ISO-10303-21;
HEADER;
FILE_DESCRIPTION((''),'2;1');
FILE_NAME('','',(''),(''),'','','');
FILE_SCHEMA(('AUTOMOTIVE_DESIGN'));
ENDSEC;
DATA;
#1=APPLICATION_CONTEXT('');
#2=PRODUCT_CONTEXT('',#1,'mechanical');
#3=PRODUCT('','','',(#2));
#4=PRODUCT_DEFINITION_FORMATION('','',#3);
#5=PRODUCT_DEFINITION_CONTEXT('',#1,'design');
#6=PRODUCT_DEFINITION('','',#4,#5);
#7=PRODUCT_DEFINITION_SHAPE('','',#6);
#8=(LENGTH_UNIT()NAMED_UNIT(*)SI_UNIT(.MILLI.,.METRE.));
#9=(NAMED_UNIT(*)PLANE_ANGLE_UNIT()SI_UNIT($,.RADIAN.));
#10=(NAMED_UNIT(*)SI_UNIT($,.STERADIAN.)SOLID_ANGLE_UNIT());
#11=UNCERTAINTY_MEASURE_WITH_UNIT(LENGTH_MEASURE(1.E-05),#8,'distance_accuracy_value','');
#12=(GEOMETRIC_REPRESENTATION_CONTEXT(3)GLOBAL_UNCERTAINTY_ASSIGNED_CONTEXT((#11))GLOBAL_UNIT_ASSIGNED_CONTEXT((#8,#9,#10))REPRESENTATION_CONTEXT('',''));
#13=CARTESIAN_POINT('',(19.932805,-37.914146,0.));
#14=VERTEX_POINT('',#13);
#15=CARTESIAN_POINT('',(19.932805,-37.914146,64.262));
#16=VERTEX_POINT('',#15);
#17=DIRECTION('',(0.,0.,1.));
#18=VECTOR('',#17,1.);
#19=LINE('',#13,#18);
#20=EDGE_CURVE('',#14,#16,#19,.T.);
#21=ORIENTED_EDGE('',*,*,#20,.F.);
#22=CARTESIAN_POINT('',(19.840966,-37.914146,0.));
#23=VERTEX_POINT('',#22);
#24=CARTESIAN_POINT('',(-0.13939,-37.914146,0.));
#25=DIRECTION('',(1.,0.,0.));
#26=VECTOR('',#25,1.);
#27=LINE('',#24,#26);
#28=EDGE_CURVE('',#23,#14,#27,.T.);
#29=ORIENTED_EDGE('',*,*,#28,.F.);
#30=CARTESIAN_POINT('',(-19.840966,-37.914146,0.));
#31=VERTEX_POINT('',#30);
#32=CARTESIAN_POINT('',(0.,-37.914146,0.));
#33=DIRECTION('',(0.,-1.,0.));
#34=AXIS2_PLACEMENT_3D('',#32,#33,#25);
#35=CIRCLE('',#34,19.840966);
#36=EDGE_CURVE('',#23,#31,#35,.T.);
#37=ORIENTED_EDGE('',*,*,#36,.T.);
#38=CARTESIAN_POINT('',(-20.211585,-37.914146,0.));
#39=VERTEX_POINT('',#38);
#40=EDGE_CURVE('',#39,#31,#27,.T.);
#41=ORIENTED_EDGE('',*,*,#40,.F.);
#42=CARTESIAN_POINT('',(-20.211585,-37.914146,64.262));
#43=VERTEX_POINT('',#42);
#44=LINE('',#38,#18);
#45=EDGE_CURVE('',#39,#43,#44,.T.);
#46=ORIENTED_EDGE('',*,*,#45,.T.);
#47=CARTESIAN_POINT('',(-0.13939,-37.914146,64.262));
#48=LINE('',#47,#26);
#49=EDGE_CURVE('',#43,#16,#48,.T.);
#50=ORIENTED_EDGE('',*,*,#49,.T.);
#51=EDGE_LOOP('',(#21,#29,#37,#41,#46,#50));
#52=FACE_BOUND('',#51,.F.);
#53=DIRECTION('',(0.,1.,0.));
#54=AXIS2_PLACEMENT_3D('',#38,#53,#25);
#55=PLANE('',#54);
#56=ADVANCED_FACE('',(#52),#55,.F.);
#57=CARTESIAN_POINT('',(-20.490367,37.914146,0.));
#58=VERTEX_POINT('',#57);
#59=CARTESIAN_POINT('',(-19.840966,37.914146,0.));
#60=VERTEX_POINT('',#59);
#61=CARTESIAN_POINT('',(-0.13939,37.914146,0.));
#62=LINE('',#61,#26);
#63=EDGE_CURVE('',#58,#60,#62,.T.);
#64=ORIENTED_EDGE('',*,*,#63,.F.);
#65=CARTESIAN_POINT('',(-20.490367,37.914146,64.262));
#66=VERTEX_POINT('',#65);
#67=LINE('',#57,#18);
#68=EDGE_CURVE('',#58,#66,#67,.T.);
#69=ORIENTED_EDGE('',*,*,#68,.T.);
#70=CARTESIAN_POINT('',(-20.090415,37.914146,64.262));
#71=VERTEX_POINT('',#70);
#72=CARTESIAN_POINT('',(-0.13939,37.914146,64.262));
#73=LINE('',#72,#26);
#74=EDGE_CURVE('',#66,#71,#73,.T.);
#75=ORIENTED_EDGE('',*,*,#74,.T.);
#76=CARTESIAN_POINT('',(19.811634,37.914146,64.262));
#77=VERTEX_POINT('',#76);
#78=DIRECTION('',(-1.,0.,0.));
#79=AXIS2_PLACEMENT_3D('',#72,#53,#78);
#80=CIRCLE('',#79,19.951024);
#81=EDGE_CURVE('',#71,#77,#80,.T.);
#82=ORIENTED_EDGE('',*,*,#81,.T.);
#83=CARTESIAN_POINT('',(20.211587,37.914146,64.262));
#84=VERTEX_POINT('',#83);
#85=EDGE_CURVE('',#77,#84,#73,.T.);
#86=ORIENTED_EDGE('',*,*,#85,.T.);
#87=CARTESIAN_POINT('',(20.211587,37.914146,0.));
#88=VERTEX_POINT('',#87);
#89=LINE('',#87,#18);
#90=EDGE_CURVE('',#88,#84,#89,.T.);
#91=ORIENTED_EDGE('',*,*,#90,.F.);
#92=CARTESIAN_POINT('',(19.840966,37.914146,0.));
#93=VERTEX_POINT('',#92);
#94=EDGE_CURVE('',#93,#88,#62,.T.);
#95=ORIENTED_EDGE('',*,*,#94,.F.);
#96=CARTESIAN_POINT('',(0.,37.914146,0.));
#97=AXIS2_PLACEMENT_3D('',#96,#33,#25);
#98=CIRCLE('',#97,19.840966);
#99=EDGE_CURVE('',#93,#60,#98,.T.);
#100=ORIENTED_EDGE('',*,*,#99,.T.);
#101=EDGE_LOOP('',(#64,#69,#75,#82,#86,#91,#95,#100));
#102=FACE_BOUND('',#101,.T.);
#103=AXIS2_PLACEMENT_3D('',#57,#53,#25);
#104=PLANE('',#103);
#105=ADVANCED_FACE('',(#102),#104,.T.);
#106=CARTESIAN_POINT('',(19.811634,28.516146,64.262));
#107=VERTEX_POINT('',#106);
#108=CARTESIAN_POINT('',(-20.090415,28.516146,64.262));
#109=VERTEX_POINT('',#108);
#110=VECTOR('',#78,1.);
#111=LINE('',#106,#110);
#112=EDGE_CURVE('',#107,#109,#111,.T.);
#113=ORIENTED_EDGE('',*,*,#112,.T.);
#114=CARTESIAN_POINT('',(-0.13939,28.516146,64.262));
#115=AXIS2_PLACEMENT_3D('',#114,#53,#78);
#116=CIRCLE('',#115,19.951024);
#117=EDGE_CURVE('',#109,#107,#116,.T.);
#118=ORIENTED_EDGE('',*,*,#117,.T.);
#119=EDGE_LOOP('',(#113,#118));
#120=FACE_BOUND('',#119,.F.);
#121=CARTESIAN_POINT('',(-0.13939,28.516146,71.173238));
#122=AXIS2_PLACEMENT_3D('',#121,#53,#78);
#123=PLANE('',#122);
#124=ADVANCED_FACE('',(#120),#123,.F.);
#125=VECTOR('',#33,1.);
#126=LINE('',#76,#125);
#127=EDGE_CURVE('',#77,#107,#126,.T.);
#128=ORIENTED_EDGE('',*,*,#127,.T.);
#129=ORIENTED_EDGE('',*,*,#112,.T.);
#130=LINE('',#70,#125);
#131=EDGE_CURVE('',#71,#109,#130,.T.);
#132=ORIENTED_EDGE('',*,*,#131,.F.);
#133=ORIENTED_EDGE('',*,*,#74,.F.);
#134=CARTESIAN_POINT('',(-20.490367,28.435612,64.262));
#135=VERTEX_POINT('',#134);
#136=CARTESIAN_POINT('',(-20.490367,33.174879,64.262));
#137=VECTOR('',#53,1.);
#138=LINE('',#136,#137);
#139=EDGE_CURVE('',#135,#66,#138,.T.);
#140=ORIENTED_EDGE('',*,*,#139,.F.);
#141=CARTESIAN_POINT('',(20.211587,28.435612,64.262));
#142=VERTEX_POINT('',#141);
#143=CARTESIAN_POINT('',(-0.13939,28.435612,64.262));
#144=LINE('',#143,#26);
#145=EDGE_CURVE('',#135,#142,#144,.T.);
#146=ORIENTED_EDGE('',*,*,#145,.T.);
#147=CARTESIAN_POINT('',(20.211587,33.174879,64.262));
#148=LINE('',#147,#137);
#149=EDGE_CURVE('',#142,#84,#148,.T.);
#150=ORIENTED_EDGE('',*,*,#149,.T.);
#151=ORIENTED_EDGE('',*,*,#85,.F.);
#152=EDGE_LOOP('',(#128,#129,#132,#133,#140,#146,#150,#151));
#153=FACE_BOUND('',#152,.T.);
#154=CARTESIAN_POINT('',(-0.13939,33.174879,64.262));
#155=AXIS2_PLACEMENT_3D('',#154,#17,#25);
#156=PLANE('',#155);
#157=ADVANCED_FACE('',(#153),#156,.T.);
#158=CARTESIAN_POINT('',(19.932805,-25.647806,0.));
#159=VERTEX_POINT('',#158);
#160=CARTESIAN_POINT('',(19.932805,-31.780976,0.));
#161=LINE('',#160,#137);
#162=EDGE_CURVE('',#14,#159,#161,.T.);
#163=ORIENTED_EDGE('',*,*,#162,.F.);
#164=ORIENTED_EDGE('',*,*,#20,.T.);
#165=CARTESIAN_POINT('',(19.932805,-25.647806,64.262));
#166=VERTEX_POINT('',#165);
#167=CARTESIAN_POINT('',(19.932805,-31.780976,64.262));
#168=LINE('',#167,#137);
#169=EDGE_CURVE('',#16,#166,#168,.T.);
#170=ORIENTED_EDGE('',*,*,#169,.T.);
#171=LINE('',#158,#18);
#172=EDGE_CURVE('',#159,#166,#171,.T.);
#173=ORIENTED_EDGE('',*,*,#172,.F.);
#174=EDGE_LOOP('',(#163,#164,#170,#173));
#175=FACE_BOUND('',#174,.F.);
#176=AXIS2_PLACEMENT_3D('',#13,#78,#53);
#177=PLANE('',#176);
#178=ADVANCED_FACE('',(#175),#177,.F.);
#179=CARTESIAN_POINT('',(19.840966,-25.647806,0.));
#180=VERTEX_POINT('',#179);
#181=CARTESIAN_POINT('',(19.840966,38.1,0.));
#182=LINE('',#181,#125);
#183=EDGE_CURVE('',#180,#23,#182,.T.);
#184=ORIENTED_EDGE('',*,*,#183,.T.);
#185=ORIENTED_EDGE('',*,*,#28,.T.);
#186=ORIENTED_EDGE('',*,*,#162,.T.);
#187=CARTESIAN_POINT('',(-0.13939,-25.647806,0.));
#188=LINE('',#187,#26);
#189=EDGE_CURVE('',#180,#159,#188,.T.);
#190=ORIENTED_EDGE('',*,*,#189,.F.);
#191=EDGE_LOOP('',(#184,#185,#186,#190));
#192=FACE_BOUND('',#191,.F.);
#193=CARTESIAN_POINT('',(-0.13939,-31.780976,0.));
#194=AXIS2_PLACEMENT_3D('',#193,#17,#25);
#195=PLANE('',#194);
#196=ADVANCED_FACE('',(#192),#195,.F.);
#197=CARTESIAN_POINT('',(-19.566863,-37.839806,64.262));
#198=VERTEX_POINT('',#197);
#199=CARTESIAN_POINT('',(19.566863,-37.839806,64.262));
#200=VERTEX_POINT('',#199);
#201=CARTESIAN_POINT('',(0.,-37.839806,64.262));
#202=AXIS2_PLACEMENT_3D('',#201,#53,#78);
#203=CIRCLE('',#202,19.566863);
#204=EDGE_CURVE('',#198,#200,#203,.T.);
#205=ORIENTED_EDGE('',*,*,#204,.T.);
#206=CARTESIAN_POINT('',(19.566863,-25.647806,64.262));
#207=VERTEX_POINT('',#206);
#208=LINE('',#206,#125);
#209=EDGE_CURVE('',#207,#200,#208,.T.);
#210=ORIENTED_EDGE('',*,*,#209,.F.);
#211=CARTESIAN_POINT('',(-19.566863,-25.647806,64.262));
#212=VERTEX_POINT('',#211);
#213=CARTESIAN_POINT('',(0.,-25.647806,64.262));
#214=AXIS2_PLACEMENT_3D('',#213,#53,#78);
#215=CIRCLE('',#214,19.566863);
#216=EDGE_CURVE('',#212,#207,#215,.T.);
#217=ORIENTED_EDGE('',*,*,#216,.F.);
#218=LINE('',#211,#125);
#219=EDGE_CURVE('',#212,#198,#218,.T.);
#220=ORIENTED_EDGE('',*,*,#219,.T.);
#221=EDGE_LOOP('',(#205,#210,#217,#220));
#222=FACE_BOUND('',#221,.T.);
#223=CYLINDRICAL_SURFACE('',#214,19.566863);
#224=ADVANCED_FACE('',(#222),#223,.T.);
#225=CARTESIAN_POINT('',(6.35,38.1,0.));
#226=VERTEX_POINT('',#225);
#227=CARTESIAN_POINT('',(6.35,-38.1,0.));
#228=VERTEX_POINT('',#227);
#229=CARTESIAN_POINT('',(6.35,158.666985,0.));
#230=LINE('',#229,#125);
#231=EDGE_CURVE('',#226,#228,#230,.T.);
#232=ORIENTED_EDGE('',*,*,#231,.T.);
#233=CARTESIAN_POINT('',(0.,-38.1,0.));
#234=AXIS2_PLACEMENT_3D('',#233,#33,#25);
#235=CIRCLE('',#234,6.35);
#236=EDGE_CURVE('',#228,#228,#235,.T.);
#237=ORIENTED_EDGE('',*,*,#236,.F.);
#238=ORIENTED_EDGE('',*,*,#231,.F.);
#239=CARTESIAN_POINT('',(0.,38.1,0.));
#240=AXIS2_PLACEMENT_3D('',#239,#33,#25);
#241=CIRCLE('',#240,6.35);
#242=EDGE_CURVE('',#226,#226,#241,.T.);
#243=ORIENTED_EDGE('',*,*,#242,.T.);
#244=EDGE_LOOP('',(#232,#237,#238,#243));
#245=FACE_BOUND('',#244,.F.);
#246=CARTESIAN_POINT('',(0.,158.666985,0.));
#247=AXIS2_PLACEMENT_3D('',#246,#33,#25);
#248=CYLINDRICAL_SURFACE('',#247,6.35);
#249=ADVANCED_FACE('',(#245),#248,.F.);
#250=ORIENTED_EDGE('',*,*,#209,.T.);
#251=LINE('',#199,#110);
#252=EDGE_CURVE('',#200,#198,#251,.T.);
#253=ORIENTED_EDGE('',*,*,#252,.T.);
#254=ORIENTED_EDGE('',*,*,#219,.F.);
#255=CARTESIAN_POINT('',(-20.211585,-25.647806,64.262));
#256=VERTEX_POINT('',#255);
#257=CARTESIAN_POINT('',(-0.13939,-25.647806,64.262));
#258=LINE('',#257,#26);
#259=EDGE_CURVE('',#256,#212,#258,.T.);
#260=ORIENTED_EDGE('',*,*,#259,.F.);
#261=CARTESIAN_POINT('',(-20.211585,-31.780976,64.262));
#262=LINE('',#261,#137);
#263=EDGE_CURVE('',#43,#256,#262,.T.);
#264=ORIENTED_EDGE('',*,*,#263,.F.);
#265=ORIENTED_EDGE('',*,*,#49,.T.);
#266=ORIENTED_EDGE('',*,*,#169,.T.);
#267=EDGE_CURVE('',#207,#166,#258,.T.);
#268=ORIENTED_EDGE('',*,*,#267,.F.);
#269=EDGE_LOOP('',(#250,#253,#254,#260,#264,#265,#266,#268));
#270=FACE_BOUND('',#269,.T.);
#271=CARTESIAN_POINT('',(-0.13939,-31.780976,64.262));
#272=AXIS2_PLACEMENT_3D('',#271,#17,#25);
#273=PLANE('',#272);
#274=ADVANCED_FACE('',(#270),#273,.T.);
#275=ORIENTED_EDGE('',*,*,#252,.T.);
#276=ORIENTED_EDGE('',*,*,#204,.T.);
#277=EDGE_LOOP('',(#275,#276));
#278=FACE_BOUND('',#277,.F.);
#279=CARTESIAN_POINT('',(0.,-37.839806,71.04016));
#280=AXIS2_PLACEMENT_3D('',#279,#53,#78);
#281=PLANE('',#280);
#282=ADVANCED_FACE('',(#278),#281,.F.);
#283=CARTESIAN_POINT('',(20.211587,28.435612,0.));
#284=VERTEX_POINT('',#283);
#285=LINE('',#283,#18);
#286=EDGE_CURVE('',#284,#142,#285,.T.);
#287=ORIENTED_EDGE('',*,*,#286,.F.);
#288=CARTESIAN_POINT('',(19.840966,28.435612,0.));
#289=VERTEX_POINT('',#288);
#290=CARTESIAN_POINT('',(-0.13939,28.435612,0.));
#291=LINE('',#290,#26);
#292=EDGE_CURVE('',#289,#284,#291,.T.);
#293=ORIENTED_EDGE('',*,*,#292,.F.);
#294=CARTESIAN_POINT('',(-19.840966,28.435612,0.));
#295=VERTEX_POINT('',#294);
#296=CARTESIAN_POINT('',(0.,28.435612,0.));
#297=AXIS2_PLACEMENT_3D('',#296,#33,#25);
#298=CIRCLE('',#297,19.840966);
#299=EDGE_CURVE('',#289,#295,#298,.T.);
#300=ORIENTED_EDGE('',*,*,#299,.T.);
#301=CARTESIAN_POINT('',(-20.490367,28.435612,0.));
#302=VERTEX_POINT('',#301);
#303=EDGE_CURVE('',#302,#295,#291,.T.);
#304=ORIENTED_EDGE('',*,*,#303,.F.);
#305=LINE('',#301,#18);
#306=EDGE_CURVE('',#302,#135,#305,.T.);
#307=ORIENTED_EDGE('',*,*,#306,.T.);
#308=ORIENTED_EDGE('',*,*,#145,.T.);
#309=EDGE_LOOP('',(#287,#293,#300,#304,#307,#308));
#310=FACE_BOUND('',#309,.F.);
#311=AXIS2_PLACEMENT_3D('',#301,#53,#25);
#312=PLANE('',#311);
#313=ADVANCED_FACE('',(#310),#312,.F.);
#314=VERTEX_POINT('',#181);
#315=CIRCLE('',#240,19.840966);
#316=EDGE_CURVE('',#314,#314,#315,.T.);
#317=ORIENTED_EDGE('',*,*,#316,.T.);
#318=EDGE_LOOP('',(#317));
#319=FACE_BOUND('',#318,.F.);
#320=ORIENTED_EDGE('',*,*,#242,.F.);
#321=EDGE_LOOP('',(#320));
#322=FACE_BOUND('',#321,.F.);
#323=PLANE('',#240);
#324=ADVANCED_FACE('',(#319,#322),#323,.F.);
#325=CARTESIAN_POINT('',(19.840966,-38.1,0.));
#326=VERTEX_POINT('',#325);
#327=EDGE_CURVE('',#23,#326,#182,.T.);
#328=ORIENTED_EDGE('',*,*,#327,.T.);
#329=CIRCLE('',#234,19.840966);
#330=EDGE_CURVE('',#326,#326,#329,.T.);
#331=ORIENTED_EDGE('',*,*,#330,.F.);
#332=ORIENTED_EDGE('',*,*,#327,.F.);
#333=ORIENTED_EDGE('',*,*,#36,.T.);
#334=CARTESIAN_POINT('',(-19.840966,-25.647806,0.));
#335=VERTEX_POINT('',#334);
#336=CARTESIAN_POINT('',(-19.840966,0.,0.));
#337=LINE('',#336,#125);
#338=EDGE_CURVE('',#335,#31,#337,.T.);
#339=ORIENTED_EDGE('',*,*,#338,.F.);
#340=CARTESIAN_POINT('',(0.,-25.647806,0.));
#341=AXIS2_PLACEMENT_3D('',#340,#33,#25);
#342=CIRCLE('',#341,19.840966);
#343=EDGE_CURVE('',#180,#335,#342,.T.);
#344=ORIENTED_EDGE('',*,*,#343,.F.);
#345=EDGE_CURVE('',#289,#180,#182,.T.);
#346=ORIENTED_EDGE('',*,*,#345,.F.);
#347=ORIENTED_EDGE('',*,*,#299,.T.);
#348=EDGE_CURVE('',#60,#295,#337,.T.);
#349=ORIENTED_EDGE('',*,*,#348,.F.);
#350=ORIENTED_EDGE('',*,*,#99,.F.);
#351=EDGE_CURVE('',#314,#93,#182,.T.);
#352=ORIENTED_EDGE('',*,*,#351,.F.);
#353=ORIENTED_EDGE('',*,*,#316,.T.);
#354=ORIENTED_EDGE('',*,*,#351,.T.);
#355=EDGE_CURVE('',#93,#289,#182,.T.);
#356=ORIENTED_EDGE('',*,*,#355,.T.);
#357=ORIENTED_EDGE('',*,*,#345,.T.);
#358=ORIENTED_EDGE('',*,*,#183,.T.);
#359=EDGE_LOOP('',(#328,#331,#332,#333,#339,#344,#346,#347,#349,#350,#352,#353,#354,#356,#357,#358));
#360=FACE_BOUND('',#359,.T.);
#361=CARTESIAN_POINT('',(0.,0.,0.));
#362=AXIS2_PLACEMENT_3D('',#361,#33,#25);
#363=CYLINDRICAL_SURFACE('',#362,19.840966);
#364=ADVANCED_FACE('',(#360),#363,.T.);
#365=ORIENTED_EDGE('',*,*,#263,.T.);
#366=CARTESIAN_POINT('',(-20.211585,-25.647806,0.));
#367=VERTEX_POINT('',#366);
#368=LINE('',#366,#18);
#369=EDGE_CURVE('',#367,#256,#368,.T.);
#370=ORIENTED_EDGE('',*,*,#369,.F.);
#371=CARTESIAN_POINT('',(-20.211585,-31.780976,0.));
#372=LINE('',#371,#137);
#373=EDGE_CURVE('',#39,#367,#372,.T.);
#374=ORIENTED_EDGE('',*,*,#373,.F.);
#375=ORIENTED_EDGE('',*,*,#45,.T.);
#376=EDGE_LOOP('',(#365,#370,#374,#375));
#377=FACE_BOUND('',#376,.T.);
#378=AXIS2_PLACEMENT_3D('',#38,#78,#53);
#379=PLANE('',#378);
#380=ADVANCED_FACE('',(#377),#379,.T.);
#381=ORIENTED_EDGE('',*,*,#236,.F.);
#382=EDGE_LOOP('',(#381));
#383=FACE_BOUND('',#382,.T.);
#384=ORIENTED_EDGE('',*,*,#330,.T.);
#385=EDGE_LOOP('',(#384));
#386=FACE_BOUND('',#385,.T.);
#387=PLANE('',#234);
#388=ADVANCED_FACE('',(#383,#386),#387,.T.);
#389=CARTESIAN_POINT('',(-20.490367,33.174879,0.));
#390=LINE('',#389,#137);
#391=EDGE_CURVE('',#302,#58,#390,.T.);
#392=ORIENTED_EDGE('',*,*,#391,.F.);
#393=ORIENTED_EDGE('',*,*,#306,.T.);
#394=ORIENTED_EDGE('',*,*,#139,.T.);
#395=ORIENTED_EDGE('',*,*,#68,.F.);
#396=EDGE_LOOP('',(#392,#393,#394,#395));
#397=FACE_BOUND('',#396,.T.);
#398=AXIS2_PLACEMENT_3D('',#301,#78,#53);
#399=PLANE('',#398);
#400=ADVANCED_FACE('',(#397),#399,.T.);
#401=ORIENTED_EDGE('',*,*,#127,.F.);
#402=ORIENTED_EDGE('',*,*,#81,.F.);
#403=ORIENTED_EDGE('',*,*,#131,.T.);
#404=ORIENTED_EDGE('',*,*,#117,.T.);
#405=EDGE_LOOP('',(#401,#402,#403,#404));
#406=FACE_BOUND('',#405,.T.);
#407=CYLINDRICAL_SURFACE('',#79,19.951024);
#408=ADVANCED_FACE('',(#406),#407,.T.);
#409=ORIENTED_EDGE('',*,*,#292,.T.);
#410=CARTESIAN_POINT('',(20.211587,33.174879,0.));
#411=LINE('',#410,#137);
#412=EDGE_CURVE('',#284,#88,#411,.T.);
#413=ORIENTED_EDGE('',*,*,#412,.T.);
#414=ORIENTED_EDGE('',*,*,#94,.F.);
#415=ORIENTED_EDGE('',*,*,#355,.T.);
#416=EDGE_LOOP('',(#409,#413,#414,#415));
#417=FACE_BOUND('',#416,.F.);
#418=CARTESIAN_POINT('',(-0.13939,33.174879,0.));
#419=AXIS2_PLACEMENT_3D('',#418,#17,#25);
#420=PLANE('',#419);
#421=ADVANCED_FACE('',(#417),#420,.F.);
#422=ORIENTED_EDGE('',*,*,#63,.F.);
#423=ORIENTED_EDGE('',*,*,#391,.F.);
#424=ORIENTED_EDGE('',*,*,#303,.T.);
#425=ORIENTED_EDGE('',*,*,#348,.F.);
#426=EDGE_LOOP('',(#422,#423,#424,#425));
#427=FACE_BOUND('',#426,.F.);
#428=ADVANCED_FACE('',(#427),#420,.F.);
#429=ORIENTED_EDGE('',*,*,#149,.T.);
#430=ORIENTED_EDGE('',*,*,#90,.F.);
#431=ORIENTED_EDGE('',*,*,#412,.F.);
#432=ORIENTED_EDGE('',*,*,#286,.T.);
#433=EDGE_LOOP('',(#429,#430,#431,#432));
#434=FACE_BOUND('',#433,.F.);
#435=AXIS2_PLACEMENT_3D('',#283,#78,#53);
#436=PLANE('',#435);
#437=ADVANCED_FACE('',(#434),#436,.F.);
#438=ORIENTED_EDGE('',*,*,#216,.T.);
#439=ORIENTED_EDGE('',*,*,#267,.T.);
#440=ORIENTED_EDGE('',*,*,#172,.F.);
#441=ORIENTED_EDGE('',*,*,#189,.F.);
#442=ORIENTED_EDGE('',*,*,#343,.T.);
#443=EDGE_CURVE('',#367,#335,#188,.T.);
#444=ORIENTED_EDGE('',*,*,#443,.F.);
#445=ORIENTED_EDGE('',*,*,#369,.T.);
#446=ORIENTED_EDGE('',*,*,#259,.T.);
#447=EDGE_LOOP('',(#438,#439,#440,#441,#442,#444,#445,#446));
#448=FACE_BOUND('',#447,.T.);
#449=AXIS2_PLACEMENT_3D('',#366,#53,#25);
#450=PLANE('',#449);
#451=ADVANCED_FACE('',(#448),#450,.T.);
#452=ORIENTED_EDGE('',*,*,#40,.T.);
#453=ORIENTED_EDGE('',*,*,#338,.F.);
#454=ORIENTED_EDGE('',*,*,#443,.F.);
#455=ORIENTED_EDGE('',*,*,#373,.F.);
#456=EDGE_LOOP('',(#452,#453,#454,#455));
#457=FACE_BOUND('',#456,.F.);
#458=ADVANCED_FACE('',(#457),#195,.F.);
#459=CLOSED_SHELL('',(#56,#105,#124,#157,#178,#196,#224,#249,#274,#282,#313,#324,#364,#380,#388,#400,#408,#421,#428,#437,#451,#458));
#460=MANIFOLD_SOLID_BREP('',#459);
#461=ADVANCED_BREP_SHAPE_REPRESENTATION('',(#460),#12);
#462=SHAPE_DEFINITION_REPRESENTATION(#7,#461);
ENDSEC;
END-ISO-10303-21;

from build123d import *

# Parameters (mm, degrees)
F0_R      = 19.8409660839
F1_DEPTH  = 38.1
F3_W      = 40.1443894953
F3_H      = 12.2663397342
F4_DEPTH  = 64.262
F5_W      = 40.7019536942
F5_H      = 9.4785336405
F6_DEPTH  = 64.262
F7_D      = 12.7
F9_DEPTH  = 12.192
F11_DEPTH = 9.398


with BuildPart() as f1:
    # F0 (on Front) → F1 (new body, symmetric)
    with BuildSketch(Plane.XZ):
        Circle(F0_R)
    extrude(amount=F1_DEPTH, both=True)

    # F3 (on Top) → F4 (join)
    with BuildSketch(Plane.XY):
        with Locations((-0.1393901184, -31.7809758708)):
            Rectangle(F3_W, F3_H)
    extrude(amount=F4_DEPTH)

    # F5 (on Top) → F6 (join)
    with BuildSketch(Plane.XY):
        with Locations((-0.1393901184, 33.1748789176)):
            Rectangle(F5_W, F5_H)
    extrude(amount=F6_DEPTH)

    # F7 (through all)
    with Locations(Plane(origin=(0, 38.1, 0), x_dir=(-1, 0, 0), z_dir=(0, 1, 0))):
        with Locations((0, 0)):
            Hole(F7_D / 2)

    # F8 (on face) → F9 (join)
    with BuildSketch(Plane(origin=(0, -25.6478060037, 0), x_dir=(-1, 0, 0), z_dir=(0, 1, 0))):
        with BuildLine():
            Line((-19.566863193, 64.262), (19.566863193, 64.262))
            ThreePointArc((19.566863193, 64.262), (0, 83.828863193), (-19.566863193, 64.262))
        make_face()
    extrude(amount=-F9_DEPTH)

    # F10 (on face) → F11 (join)
    with BuildSketch(Plane(origin=(0, 37.9141457379, 0), x_dir=(-1, 0, 0), z_dir=(0, 1, 0))):
        with BuildLine():
            Line((-19.8116342985, 64.262), (20.0904145353, 64.262))
            ThreePointArc((20.0904145353, 64.262), (0.1393901184, 84.2130244169), (-19.8116342985, 64.262))
        make_face()
    extrude(amount=-F11_DEPTH)


solid = f1.part
